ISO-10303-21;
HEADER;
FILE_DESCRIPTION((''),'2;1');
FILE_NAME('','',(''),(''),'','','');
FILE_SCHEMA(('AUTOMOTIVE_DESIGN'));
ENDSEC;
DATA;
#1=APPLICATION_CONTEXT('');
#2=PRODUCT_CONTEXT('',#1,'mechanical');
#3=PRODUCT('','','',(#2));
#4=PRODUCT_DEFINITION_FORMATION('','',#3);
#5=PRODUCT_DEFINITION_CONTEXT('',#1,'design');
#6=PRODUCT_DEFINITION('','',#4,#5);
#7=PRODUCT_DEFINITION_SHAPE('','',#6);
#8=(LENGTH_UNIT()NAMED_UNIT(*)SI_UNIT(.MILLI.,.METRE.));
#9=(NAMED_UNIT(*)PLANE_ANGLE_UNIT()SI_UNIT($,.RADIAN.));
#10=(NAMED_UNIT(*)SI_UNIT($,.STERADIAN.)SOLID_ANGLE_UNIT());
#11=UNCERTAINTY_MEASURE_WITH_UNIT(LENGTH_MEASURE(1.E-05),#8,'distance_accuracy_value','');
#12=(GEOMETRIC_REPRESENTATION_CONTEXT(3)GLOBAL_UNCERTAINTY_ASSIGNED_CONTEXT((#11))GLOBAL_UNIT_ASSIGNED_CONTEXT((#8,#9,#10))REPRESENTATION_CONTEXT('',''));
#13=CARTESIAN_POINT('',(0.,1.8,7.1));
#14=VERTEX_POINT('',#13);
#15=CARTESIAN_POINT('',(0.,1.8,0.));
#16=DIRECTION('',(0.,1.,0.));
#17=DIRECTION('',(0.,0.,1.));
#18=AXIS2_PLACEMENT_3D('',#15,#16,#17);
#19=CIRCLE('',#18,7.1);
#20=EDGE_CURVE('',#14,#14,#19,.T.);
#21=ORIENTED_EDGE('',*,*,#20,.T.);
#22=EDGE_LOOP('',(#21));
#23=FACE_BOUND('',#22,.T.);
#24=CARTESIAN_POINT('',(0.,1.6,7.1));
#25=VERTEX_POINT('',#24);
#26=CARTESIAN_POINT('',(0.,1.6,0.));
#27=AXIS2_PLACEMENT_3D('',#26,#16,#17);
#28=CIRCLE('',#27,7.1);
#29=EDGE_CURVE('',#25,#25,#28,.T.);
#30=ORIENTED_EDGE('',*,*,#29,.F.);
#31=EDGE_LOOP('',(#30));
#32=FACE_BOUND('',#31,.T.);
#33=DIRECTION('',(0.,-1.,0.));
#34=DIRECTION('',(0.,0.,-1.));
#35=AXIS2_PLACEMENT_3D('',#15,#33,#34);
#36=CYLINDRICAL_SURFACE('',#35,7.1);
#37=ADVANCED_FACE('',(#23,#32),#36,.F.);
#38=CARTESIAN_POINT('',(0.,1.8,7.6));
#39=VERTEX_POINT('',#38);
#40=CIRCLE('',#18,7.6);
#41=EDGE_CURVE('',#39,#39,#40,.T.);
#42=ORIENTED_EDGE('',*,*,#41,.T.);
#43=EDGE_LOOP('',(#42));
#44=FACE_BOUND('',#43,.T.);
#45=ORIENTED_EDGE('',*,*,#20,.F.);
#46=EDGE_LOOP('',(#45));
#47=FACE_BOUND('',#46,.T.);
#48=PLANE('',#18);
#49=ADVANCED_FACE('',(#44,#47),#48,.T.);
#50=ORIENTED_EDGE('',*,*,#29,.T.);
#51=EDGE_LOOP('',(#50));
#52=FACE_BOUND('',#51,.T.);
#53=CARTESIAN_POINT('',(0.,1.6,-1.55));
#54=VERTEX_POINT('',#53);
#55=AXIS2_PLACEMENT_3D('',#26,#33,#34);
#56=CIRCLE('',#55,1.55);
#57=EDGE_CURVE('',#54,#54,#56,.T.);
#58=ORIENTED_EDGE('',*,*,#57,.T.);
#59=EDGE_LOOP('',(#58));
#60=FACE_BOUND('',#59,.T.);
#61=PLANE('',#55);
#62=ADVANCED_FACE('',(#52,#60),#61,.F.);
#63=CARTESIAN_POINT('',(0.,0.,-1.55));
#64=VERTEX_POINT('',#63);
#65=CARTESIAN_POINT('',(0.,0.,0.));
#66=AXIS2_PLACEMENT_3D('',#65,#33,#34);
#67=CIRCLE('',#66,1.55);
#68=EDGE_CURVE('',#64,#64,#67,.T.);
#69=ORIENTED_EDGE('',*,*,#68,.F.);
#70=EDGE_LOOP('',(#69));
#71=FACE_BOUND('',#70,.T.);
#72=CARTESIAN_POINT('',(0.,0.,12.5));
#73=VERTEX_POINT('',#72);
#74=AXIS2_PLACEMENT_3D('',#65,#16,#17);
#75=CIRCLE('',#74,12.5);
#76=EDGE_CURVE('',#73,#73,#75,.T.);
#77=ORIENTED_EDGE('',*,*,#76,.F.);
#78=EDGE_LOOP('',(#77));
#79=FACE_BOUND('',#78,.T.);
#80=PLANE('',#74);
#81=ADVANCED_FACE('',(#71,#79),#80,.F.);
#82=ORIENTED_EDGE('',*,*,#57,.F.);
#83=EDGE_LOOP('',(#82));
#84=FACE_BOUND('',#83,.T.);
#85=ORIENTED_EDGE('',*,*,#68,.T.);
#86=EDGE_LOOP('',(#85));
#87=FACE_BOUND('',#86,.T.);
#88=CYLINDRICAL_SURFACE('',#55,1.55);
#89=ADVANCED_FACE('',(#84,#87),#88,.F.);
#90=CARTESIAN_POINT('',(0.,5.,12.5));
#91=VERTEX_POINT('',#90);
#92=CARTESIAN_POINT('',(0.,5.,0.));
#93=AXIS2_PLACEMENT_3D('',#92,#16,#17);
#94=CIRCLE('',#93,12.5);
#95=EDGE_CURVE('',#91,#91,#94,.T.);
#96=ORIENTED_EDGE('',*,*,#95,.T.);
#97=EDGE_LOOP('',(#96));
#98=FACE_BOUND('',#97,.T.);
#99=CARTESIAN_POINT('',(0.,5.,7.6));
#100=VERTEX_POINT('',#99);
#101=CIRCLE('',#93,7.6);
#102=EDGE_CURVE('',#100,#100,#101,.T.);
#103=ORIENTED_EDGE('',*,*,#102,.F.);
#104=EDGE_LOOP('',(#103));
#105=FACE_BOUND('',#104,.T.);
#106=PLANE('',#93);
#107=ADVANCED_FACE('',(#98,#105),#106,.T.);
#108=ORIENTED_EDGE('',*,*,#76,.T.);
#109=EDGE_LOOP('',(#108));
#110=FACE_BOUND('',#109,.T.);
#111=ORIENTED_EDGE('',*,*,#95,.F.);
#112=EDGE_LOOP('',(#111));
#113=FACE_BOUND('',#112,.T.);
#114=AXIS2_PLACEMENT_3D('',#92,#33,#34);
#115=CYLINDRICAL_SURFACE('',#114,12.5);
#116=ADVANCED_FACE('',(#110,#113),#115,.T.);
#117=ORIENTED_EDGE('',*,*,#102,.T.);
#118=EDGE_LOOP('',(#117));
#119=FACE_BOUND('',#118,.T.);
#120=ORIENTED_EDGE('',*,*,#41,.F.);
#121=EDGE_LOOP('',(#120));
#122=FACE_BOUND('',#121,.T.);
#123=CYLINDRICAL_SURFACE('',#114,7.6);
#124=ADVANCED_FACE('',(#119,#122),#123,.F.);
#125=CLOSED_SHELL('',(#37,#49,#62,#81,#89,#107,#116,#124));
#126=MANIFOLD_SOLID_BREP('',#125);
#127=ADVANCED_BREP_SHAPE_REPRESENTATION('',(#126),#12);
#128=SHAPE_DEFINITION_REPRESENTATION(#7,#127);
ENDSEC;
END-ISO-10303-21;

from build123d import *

# Parameters (mm, degrees)
SKETCH_1_R      = 12.5
SKETCH_1_R_2    = 7.6
EXTRUDE_1_DEPTH = 5
SKETCH_2_R      = 7.6
SKETCH_2_R_2    = 1.55
EXTRUDE_2_DEPTH = 1.6
SKETCH_3_R      = 7.6
SKETCH_3_R_2    = 7.1
EXTRUDE_3_DEPTH = 0.2


with BuildPart() as part:
    # ｽｹｯﾁ1 → ﾎﾞｽ - 押し出し1 (new body)
    with BuildSketch(Plane(origin=(0, 0, 0), x_dir=(1, 0, 0), z_dir=(0, 1, 0))):
        with Locations(Location((0, 0, 0), (0, 0, 270))):
            Circle(SKETCH_1_R)
        with Locations(Location((0, 0, 0), (0, 0, 270))):
            Circle(SKETCH_1_R_2, mode=Mode.SUBTRACT)
    extrude(amount=EXTRUDE_1_DEPTH)

    # ｽｹｯﾁ2 → ﾎﾞｽ - 押し出し2 (add)
    with BuildSketch(Plane.XZ):
        with Locations(Location((0, 0, 0), (0, 0, 270))):
            Circle(SKETCH_2_R)
        with Locations(Location((0, 0, 0), (0, 0, 270))):
            Circle(SKETCH_2_R_2, mode=Mode.SUBTRACT)
    extrude(amount=-EXTRUDE_2_DEPTH)

    # ｽｹｯﾁ3 → ﾎﾞｽ - 押し出し3 (add)
    with BuildSketch(Plane(origin=(0, 1.6, 0), x_dir=(1, 0, 0), z_dir=(0, 1, 0))):
        with Locations(Location((0, 0, 0), (0, 0, 270))):
            Circle(SKETCH_3_R)
        with Locations(Location((0, 0, 0), (0, 0, 270))):
            Circle(SKETCH_3_R_2, mode=Mode.SUBTRACT)
    extrude(amount=EXTRUDE_3_DEPTH)


solid = part.part
